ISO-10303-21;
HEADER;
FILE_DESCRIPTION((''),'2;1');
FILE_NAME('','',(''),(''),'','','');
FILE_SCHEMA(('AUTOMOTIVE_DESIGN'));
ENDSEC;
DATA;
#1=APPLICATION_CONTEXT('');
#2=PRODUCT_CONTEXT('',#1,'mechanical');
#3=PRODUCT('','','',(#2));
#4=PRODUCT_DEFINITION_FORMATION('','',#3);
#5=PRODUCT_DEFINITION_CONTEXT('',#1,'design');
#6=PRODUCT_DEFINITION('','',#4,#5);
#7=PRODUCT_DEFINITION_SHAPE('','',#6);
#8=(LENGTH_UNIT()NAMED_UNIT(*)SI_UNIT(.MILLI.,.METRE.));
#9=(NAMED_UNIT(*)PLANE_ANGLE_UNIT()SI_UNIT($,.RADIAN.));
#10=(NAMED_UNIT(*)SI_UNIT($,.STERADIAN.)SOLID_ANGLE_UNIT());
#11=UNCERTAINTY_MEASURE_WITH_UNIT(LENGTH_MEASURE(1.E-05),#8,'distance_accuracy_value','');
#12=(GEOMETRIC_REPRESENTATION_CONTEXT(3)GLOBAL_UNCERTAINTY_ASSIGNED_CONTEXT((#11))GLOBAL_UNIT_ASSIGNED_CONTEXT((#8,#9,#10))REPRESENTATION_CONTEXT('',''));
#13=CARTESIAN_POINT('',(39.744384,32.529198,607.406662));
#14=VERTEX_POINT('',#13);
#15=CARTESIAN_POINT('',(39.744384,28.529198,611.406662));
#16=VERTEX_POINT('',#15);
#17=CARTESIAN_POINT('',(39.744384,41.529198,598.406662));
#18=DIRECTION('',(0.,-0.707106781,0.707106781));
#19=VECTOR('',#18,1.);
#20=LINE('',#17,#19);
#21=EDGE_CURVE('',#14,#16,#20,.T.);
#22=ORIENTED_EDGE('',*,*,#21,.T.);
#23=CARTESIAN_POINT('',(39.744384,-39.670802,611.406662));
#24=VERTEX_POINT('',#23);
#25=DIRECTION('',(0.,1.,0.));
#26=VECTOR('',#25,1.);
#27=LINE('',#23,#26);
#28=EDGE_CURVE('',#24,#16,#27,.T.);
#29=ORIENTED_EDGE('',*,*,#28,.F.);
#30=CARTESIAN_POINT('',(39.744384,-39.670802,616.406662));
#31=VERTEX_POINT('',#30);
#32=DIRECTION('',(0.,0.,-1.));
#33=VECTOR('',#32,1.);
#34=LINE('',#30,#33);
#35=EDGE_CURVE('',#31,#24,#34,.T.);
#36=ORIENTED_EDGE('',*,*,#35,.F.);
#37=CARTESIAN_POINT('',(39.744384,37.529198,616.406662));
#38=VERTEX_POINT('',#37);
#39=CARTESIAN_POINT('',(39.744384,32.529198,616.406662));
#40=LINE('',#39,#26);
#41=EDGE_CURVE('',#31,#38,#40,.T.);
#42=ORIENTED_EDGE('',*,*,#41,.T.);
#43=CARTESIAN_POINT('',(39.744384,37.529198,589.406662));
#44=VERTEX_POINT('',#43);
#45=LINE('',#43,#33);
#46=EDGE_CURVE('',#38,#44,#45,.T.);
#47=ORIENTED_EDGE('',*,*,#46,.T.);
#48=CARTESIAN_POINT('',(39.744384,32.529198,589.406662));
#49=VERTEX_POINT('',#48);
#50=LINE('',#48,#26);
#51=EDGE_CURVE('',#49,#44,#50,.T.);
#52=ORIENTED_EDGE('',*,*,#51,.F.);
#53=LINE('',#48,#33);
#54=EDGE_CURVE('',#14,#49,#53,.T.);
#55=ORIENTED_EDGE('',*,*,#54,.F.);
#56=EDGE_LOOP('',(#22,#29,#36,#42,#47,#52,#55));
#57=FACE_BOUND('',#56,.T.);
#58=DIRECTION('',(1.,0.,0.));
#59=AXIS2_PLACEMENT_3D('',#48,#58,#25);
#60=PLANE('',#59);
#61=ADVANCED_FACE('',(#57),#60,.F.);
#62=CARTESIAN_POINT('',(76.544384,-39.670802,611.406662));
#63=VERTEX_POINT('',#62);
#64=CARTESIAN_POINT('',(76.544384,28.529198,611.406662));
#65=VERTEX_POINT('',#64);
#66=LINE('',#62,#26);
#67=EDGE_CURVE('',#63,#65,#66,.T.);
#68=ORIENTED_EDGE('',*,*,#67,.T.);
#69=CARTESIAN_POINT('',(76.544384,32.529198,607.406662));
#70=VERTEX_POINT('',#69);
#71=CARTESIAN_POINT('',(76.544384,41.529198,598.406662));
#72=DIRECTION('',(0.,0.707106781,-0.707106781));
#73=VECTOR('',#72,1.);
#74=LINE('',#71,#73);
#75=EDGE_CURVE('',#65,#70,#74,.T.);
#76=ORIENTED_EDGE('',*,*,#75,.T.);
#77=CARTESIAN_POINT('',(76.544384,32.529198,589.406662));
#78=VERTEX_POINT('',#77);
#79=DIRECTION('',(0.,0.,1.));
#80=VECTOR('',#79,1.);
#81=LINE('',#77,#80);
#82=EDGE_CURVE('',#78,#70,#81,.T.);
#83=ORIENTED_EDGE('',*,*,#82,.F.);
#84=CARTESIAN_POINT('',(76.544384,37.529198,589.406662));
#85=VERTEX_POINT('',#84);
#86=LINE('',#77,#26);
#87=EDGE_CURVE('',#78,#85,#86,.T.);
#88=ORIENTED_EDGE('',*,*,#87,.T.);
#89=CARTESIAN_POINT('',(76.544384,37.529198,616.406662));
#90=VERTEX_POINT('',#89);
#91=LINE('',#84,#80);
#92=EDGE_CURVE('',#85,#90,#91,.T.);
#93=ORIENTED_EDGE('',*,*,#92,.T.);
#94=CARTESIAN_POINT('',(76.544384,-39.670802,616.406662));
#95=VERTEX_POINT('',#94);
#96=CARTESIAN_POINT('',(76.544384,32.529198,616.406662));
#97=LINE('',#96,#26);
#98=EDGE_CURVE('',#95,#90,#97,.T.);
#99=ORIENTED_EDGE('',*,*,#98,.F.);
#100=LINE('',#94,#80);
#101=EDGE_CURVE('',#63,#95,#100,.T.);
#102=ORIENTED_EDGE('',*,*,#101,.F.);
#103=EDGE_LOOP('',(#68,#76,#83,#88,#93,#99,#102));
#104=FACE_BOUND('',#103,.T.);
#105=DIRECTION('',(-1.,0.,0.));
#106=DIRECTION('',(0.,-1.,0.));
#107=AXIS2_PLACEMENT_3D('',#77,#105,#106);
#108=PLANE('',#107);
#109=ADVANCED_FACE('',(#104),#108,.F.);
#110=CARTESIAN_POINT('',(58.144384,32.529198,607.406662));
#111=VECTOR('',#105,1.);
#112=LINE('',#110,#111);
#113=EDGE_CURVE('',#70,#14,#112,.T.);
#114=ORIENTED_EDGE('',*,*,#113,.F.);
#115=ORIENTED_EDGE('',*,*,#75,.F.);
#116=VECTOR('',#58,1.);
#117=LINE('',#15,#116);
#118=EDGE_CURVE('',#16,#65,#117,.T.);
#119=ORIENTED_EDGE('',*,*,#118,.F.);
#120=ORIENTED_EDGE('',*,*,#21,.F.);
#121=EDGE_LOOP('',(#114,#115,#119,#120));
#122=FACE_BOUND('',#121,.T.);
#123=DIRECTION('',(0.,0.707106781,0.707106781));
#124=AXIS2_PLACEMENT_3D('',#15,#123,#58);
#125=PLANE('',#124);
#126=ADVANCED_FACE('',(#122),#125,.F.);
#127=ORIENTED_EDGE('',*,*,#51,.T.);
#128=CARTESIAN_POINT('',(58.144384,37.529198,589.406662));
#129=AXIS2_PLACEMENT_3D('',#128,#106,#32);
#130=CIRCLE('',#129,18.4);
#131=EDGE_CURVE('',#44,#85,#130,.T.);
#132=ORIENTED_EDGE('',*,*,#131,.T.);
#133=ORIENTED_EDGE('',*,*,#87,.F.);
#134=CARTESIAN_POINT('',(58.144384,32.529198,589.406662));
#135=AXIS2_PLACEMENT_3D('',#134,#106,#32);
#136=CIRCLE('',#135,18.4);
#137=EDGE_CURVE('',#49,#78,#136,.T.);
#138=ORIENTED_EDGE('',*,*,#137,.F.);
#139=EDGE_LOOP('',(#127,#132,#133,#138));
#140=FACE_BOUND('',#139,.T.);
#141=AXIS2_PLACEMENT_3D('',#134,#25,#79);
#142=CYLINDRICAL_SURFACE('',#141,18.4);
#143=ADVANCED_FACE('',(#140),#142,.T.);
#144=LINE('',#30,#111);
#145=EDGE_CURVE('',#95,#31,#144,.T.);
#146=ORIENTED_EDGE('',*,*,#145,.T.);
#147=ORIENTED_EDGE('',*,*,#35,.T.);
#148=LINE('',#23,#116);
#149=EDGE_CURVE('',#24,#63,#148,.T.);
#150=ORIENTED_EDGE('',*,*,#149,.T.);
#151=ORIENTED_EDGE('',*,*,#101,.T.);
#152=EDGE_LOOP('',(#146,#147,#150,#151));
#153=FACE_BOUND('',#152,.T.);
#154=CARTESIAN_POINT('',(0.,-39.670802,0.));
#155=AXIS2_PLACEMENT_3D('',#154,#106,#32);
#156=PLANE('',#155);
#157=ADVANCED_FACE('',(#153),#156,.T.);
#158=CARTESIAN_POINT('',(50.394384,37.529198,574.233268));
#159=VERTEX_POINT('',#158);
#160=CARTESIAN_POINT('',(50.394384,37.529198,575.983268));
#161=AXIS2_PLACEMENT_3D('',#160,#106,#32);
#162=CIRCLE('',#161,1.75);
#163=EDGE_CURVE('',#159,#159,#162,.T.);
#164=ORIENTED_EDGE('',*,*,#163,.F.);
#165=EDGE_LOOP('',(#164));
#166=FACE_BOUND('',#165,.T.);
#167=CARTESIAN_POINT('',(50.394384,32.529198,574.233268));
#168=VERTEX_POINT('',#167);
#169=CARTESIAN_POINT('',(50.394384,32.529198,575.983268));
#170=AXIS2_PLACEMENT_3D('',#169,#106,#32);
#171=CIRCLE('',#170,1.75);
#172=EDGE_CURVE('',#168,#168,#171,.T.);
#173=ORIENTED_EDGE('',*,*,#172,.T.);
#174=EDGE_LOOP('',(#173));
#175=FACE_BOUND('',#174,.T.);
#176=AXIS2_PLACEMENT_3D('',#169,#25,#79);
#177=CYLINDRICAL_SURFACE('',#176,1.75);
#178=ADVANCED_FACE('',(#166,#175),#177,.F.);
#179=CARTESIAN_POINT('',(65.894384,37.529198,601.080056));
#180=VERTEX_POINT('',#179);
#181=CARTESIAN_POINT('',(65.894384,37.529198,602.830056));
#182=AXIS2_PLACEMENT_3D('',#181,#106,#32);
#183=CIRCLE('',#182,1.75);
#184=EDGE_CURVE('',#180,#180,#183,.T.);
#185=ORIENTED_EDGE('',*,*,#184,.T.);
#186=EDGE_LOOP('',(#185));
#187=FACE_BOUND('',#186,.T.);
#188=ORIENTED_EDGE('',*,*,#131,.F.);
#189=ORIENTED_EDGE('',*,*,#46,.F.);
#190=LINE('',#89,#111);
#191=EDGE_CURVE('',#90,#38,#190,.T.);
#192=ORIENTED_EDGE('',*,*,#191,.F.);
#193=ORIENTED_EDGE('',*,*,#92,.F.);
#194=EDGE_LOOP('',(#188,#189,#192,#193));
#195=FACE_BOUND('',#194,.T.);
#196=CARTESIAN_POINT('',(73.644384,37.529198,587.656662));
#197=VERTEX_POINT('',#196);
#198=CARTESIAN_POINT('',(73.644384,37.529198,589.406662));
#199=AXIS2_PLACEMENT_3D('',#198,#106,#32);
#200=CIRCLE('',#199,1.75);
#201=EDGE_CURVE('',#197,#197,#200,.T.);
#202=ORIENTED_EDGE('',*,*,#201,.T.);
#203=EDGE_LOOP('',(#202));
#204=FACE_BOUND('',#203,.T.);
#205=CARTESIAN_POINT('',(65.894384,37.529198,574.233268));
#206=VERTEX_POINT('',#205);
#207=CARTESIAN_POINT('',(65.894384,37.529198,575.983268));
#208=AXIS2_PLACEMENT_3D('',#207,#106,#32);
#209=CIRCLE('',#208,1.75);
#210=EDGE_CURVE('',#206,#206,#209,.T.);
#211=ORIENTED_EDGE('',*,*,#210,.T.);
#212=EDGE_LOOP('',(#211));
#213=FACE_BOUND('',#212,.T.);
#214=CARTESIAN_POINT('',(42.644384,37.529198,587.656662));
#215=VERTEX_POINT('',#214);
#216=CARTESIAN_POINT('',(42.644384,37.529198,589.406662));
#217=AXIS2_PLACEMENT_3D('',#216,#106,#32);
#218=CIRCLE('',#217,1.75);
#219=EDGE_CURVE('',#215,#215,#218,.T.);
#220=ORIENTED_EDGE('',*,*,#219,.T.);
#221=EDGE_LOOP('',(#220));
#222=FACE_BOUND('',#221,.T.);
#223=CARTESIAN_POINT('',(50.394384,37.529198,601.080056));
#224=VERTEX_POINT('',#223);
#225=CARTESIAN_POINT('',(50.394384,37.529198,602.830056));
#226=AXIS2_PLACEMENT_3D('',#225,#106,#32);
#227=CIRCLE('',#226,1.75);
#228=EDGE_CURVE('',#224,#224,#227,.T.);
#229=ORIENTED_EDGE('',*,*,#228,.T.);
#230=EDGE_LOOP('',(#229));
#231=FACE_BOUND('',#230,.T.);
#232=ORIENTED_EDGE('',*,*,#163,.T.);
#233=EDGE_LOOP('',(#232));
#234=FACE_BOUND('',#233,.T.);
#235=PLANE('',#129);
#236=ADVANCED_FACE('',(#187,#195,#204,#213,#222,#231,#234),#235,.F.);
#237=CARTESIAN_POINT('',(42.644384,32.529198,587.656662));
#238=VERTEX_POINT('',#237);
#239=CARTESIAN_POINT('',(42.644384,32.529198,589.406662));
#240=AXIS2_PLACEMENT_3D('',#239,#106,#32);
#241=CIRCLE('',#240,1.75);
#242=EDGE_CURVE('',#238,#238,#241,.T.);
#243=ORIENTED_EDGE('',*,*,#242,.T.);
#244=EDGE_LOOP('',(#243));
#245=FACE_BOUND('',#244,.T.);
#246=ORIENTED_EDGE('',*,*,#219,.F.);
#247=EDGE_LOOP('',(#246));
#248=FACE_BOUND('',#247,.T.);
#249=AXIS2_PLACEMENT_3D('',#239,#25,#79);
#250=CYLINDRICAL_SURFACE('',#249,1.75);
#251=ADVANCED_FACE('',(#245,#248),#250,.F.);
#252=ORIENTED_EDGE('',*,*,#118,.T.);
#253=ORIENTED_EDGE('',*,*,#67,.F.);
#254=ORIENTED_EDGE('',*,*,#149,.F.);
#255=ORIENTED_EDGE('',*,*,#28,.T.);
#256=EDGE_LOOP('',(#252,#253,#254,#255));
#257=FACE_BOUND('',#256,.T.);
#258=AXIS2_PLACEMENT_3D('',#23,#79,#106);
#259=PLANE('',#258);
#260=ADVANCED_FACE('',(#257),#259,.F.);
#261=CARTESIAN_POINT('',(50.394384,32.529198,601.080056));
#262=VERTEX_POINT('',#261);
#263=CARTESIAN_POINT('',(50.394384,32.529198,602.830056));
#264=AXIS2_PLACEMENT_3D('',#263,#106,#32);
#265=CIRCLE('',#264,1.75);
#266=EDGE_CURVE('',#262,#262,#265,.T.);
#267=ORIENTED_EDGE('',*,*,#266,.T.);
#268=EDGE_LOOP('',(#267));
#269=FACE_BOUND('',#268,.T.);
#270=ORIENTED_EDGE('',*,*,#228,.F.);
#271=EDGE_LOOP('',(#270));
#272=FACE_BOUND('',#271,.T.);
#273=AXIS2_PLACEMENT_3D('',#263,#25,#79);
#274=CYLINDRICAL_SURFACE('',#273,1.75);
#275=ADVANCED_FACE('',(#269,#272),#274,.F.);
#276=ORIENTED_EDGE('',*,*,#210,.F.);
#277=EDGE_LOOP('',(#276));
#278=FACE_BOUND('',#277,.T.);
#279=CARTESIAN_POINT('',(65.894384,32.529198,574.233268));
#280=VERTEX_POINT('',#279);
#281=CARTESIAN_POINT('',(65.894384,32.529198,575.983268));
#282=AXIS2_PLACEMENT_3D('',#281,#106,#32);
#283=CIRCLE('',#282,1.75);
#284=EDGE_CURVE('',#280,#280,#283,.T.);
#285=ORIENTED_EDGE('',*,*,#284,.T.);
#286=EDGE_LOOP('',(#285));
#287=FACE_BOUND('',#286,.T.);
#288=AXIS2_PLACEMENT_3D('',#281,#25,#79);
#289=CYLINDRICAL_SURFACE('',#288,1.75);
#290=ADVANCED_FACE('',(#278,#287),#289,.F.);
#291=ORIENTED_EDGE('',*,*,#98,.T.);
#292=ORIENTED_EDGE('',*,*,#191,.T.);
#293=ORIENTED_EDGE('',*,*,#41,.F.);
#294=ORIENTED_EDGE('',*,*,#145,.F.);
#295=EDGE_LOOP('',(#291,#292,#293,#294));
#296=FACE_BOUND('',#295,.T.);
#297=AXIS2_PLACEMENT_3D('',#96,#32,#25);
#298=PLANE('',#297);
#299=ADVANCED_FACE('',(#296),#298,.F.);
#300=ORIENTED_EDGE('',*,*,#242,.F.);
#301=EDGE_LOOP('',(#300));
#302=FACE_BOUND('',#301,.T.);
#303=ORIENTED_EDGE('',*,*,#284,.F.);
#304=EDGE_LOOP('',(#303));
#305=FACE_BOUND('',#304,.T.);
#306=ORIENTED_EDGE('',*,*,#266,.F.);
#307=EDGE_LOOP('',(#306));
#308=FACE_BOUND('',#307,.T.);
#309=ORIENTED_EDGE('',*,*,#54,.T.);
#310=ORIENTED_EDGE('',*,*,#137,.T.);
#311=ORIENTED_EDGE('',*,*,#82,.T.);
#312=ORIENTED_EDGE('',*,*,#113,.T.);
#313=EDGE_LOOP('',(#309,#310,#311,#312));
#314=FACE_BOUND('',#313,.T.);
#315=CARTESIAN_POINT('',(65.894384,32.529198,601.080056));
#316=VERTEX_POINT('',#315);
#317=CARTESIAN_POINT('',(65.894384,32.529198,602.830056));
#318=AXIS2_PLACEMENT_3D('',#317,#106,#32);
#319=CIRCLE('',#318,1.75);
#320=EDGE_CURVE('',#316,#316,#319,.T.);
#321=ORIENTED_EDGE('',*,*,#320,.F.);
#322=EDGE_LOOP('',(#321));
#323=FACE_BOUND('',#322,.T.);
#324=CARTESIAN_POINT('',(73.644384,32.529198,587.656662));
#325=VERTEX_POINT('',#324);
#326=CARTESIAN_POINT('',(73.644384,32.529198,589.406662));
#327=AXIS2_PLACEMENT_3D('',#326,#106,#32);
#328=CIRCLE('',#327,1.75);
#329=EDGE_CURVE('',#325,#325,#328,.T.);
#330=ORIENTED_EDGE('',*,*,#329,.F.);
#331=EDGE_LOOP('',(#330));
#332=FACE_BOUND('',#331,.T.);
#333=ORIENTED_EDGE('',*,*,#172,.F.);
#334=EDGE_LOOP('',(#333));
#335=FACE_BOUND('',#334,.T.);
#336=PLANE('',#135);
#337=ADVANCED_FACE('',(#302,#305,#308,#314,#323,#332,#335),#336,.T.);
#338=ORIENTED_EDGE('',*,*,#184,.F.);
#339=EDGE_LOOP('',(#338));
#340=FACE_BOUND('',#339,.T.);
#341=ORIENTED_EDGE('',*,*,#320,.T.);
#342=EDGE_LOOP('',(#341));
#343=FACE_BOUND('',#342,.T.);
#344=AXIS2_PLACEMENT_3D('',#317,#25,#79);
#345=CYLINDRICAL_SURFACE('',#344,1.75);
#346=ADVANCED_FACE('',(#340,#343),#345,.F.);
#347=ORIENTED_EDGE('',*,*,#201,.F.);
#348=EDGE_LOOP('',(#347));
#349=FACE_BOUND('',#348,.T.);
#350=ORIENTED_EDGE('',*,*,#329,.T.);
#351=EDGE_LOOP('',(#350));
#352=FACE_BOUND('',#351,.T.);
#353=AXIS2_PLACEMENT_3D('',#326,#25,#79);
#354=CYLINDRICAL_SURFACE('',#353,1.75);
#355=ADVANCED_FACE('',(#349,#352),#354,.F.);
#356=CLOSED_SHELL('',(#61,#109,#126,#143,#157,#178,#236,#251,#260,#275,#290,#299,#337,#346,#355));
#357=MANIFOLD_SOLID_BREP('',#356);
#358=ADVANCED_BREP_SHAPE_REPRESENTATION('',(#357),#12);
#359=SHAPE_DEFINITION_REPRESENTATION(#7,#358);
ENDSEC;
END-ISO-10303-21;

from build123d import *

# Parameters (mm, degrees)
SZKIC2_R                    = 1.75
DODANIE_WYCI_GNI_CIE1_DEPTH = 5
SZKIC3_W                    = 36.8
SZKIC3_H                    = 5
DODANIE_WYCI_GNI_CIE2_DEPTH = 72.2
SFAZOWANIE1_SIZE            = 4


with BuildPart() as part:
    # Szkic2 → Dodanie-wyciągnięcie1 (new body)
    with BuildSketch(Plane.XZ.offset(-37.529198257)):
        with BuildLine():
            Line((76.54438393, 616.406662223), (39.74438393, 616.406662223))
            Line((39.74438393, 616.406662223), (39.74438393, 589.406662223))
            ThreePointArc((39.74438393, 589.406662223), (58.14438393, 571.006662223), (76.54438393, 589.406662223))
            Line((76.54438393, 589.406662223), (76.54438393, 616.406662223))
        make_face()
        with Locations(Location((50.39438393, 575.983268464, 0), (0, 0, 270))):
            Circle(SZKIC2_R, mode=Mode.SUBTRACT)
        with Locations(Location((65.89438393, 575.983268464, 0), (0, 0, 270))):
            Circle(SZKIC2_R, mode=Mode.SUBTRACT)
        with Locations(Location((73.64438393, 589.406662223, 0), (0, 0, 270))):
            Circle(SZKIC2_R, mode=Mode.SUBTRACT)
        with Locations(Location((65.89438393, 602.830055981, 0), (0, 0, 270))):
            Circle(SZKIC2_R, mode=Mode.SUBTRACT)
        with Locations(Location((50.39438393, 602.830055981, 0), (0, 0, 270))):
            Circle(SZKIC2_R, mode=Mode.SUBTRACT)
        with Locations(Location((42.64438393, 589.406662223, 0), (0, 0, 270))):
            Circle(SZKIC2_R, mode=Mode.SUBTRACT)
    extrude(amount=DODANIE_WYCI_GNI_CIE1_DEPTH)

    # Szkic3 → Dodanie-wyciągnięcie2 (add)
    with BuildSketch(Plane.XZ.offset(-32.529198257)):
        with Locations((58.14438393, 613.906662223)):
            Rectangle(SZKIC3_W, SZKIC3_H)
    extrude(amount=DODANIE_WYCI_GNI_CIE2_DEPTH)

    # Sfazowanie1
    sfazowanie1_edges = [part.edges().sort_by_distance(p)[0] for p in [
        (58.14438393, 32.529198257, 611.406662223),
    ]]
    chamfer(sfazowanie1_edges, length=SFAZOWANIE1_SIZE)


solid = part.part
